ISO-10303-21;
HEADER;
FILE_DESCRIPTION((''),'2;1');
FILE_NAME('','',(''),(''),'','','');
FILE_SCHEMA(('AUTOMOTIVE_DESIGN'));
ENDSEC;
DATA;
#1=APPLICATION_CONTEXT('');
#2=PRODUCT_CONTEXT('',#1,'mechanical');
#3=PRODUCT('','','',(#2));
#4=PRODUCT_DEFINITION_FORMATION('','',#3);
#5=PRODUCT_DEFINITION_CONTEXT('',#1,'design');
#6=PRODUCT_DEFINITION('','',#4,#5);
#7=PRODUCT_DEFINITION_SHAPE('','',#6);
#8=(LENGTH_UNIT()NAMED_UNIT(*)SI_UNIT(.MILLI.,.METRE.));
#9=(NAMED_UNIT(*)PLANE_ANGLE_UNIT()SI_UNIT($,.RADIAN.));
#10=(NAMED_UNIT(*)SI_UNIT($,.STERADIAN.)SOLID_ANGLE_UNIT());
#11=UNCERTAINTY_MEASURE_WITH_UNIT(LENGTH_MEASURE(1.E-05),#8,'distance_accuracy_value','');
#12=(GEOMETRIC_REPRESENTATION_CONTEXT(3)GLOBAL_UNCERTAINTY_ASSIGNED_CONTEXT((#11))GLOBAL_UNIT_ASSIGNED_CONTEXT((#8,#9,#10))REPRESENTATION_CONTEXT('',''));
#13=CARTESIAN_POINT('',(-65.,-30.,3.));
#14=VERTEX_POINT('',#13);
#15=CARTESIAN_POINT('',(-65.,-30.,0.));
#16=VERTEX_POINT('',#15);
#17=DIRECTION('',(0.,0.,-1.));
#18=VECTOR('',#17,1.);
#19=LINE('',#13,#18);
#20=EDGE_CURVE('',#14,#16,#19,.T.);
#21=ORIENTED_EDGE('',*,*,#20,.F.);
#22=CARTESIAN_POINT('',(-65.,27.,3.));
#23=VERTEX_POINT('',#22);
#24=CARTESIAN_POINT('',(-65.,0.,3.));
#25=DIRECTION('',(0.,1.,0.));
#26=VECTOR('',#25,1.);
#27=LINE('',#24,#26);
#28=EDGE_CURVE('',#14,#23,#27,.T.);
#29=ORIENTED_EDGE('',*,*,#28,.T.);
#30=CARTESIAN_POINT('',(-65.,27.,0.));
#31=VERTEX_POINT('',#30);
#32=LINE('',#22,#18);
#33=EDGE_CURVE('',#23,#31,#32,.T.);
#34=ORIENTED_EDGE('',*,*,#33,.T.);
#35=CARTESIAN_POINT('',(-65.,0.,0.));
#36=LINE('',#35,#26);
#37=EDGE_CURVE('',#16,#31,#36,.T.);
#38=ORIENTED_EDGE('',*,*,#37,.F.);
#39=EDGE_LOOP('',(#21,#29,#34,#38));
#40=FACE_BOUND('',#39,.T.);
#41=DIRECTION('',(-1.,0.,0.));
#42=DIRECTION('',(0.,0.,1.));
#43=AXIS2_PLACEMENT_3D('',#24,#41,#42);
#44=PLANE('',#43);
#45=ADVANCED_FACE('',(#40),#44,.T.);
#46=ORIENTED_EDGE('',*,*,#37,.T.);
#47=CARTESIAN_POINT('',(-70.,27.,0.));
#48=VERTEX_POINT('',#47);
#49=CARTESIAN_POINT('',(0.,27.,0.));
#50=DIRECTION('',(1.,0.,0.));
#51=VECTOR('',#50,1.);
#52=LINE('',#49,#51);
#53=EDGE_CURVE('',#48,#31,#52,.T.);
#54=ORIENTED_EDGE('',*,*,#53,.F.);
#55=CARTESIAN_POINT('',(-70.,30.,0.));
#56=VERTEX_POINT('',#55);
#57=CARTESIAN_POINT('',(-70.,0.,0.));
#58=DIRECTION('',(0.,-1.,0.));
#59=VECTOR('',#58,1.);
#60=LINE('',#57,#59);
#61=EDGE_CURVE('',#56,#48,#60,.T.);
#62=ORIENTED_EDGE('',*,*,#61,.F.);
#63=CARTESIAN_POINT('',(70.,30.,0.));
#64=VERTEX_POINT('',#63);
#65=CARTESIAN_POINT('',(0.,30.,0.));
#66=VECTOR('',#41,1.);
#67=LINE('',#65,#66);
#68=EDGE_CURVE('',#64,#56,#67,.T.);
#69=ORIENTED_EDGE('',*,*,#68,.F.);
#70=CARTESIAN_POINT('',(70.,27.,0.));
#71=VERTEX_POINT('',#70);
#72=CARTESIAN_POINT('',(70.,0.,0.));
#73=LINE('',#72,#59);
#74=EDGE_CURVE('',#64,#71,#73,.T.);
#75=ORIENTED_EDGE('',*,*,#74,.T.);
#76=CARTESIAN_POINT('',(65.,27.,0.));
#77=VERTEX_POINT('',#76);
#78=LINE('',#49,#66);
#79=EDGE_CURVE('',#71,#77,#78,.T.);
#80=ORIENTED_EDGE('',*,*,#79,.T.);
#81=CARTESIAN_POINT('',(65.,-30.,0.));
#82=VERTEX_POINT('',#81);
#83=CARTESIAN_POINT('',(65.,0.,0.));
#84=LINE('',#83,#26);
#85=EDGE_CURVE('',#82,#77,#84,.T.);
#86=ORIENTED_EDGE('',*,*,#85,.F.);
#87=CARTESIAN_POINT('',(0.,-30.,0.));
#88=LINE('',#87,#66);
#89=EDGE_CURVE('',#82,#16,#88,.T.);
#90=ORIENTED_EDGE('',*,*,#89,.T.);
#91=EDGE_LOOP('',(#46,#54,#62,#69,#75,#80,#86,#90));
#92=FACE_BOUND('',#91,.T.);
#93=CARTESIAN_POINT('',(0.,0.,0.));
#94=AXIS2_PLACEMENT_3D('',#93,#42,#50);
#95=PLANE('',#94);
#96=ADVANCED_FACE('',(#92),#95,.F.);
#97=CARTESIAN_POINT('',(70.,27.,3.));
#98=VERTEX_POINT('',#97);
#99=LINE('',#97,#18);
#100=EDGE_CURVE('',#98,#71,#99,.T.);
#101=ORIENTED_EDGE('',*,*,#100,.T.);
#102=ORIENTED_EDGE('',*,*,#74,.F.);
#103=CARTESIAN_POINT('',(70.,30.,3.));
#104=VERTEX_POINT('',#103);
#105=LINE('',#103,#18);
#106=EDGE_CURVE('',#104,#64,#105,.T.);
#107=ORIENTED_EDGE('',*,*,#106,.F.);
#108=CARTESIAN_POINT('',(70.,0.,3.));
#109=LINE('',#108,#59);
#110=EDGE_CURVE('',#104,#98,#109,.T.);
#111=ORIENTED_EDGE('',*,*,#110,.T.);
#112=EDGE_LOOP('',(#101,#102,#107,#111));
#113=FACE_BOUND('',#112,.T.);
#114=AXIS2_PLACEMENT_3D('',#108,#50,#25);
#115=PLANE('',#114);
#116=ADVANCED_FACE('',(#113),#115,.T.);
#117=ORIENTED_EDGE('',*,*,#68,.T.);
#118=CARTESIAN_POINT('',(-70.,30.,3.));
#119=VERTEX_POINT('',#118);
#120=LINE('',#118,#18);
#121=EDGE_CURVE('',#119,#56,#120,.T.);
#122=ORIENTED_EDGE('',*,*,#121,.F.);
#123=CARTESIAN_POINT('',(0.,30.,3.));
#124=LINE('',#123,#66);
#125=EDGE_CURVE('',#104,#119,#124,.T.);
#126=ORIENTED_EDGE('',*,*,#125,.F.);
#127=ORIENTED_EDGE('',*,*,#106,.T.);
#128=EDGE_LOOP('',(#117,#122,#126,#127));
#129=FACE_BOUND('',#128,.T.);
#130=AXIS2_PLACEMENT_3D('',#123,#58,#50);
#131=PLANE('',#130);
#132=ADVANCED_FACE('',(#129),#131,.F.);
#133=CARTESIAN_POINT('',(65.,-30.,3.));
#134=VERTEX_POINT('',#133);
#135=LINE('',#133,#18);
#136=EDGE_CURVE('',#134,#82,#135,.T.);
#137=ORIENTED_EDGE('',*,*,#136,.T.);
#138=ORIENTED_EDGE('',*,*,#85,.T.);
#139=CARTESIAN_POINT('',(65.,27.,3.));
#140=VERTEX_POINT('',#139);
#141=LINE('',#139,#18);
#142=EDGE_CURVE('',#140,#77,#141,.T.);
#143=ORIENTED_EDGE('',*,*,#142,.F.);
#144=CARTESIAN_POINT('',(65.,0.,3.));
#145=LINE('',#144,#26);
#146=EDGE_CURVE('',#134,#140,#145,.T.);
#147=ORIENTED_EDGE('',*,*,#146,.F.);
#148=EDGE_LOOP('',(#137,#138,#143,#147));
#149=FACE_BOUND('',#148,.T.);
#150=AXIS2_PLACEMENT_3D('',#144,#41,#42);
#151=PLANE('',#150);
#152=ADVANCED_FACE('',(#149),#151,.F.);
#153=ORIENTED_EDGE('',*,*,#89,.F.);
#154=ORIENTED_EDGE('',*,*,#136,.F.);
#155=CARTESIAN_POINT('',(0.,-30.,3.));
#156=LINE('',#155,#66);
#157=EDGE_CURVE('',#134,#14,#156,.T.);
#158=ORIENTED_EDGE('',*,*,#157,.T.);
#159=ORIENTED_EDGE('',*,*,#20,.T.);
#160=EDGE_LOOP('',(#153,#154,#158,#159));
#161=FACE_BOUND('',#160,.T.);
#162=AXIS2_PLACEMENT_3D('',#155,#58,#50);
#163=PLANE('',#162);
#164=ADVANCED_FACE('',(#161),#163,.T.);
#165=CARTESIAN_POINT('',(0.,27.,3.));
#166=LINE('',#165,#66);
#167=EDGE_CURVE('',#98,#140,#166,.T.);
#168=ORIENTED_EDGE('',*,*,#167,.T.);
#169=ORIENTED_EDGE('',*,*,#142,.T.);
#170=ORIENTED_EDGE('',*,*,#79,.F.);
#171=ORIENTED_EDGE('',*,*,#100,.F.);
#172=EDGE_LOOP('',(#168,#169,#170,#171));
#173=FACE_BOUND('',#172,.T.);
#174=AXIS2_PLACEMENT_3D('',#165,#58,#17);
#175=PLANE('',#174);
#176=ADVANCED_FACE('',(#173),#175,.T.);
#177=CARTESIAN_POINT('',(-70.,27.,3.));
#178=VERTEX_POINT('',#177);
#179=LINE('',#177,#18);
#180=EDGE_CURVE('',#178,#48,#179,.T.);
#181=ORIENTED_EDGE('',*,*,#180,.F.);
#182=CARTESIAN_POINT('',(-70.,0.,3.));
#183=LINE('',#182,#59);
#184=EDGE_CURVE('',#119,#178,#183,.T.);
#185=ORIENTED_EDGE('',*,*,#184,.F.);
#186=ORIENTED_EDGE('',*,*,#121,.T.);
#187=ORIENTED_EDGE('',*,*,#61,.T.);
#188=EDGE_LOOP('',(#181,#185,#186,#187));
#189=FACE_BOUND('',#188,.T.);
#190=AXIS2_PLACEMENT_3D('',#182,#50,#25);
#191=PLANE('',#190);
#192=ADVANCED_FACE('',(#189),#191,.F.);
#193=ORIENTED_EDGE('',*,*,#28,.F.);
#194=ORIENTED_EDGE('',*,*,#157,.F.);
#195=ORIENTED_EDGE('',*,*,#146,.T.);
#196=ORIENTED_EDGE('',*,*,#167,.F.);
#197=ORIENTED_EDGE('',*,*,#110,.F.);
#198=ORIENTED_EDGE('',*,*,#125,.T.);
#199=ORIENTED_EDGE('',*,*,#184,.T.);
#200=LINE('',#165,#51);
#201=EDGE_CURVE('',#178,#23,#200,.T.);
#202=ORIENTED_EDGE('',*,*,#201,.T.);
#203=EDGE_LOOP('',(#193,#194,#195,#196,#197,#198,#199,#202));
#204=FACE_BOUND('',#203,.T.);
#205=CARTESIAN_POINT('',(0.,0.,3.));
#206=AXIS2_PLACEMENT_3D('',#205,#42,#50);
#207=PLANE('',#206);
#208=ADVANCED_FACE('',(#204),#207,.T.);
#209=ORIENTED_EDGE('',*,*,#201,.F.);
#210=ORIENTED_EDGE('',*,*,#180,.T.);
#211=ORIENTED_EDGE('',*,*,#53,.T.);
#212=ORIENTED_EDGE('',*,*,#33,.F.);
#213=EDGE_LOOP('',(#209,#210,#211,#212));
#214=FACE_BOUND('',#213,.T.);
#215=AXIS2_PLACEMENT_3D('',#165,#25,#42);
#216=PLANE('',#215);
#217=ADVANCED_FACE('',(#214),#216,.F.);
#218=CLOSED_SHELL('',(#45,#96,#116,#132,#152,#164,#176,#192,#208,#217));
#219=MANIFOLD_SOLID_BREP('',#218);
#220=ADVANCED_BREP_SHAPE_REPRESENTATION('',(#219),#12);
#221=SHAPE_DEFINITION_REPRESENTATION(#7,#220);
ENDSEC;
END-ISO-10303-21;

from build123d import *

# Parameters (mm, degrees)
SKETCH2_W           = 130
SKETCH2_H           = 60
SKETCH2_W_2         = 5
SKETCH2_H_2         = 3
BOSS_EXTRUDE1_DEPTH = 3


with BuildPart() as part:
    # Sketch2 → Boss-Extrude1 (new body)
    with BuildSketch(Plane.XY):
        Rectangle(SKETCH2_W, SKETCH2_H)
        with Locations((67.5, 28.5)):
            Rectangle(SKETCH2_W_2, SKETCH2_H_2)
        with Locations((-67.5, 28.5)):
            Rectangle(SKETCH2_W_2, SKETCH2_H_2)
    extrude(amount=BOSS_EXTRUDE1_DEPTH)


solid = part.part
